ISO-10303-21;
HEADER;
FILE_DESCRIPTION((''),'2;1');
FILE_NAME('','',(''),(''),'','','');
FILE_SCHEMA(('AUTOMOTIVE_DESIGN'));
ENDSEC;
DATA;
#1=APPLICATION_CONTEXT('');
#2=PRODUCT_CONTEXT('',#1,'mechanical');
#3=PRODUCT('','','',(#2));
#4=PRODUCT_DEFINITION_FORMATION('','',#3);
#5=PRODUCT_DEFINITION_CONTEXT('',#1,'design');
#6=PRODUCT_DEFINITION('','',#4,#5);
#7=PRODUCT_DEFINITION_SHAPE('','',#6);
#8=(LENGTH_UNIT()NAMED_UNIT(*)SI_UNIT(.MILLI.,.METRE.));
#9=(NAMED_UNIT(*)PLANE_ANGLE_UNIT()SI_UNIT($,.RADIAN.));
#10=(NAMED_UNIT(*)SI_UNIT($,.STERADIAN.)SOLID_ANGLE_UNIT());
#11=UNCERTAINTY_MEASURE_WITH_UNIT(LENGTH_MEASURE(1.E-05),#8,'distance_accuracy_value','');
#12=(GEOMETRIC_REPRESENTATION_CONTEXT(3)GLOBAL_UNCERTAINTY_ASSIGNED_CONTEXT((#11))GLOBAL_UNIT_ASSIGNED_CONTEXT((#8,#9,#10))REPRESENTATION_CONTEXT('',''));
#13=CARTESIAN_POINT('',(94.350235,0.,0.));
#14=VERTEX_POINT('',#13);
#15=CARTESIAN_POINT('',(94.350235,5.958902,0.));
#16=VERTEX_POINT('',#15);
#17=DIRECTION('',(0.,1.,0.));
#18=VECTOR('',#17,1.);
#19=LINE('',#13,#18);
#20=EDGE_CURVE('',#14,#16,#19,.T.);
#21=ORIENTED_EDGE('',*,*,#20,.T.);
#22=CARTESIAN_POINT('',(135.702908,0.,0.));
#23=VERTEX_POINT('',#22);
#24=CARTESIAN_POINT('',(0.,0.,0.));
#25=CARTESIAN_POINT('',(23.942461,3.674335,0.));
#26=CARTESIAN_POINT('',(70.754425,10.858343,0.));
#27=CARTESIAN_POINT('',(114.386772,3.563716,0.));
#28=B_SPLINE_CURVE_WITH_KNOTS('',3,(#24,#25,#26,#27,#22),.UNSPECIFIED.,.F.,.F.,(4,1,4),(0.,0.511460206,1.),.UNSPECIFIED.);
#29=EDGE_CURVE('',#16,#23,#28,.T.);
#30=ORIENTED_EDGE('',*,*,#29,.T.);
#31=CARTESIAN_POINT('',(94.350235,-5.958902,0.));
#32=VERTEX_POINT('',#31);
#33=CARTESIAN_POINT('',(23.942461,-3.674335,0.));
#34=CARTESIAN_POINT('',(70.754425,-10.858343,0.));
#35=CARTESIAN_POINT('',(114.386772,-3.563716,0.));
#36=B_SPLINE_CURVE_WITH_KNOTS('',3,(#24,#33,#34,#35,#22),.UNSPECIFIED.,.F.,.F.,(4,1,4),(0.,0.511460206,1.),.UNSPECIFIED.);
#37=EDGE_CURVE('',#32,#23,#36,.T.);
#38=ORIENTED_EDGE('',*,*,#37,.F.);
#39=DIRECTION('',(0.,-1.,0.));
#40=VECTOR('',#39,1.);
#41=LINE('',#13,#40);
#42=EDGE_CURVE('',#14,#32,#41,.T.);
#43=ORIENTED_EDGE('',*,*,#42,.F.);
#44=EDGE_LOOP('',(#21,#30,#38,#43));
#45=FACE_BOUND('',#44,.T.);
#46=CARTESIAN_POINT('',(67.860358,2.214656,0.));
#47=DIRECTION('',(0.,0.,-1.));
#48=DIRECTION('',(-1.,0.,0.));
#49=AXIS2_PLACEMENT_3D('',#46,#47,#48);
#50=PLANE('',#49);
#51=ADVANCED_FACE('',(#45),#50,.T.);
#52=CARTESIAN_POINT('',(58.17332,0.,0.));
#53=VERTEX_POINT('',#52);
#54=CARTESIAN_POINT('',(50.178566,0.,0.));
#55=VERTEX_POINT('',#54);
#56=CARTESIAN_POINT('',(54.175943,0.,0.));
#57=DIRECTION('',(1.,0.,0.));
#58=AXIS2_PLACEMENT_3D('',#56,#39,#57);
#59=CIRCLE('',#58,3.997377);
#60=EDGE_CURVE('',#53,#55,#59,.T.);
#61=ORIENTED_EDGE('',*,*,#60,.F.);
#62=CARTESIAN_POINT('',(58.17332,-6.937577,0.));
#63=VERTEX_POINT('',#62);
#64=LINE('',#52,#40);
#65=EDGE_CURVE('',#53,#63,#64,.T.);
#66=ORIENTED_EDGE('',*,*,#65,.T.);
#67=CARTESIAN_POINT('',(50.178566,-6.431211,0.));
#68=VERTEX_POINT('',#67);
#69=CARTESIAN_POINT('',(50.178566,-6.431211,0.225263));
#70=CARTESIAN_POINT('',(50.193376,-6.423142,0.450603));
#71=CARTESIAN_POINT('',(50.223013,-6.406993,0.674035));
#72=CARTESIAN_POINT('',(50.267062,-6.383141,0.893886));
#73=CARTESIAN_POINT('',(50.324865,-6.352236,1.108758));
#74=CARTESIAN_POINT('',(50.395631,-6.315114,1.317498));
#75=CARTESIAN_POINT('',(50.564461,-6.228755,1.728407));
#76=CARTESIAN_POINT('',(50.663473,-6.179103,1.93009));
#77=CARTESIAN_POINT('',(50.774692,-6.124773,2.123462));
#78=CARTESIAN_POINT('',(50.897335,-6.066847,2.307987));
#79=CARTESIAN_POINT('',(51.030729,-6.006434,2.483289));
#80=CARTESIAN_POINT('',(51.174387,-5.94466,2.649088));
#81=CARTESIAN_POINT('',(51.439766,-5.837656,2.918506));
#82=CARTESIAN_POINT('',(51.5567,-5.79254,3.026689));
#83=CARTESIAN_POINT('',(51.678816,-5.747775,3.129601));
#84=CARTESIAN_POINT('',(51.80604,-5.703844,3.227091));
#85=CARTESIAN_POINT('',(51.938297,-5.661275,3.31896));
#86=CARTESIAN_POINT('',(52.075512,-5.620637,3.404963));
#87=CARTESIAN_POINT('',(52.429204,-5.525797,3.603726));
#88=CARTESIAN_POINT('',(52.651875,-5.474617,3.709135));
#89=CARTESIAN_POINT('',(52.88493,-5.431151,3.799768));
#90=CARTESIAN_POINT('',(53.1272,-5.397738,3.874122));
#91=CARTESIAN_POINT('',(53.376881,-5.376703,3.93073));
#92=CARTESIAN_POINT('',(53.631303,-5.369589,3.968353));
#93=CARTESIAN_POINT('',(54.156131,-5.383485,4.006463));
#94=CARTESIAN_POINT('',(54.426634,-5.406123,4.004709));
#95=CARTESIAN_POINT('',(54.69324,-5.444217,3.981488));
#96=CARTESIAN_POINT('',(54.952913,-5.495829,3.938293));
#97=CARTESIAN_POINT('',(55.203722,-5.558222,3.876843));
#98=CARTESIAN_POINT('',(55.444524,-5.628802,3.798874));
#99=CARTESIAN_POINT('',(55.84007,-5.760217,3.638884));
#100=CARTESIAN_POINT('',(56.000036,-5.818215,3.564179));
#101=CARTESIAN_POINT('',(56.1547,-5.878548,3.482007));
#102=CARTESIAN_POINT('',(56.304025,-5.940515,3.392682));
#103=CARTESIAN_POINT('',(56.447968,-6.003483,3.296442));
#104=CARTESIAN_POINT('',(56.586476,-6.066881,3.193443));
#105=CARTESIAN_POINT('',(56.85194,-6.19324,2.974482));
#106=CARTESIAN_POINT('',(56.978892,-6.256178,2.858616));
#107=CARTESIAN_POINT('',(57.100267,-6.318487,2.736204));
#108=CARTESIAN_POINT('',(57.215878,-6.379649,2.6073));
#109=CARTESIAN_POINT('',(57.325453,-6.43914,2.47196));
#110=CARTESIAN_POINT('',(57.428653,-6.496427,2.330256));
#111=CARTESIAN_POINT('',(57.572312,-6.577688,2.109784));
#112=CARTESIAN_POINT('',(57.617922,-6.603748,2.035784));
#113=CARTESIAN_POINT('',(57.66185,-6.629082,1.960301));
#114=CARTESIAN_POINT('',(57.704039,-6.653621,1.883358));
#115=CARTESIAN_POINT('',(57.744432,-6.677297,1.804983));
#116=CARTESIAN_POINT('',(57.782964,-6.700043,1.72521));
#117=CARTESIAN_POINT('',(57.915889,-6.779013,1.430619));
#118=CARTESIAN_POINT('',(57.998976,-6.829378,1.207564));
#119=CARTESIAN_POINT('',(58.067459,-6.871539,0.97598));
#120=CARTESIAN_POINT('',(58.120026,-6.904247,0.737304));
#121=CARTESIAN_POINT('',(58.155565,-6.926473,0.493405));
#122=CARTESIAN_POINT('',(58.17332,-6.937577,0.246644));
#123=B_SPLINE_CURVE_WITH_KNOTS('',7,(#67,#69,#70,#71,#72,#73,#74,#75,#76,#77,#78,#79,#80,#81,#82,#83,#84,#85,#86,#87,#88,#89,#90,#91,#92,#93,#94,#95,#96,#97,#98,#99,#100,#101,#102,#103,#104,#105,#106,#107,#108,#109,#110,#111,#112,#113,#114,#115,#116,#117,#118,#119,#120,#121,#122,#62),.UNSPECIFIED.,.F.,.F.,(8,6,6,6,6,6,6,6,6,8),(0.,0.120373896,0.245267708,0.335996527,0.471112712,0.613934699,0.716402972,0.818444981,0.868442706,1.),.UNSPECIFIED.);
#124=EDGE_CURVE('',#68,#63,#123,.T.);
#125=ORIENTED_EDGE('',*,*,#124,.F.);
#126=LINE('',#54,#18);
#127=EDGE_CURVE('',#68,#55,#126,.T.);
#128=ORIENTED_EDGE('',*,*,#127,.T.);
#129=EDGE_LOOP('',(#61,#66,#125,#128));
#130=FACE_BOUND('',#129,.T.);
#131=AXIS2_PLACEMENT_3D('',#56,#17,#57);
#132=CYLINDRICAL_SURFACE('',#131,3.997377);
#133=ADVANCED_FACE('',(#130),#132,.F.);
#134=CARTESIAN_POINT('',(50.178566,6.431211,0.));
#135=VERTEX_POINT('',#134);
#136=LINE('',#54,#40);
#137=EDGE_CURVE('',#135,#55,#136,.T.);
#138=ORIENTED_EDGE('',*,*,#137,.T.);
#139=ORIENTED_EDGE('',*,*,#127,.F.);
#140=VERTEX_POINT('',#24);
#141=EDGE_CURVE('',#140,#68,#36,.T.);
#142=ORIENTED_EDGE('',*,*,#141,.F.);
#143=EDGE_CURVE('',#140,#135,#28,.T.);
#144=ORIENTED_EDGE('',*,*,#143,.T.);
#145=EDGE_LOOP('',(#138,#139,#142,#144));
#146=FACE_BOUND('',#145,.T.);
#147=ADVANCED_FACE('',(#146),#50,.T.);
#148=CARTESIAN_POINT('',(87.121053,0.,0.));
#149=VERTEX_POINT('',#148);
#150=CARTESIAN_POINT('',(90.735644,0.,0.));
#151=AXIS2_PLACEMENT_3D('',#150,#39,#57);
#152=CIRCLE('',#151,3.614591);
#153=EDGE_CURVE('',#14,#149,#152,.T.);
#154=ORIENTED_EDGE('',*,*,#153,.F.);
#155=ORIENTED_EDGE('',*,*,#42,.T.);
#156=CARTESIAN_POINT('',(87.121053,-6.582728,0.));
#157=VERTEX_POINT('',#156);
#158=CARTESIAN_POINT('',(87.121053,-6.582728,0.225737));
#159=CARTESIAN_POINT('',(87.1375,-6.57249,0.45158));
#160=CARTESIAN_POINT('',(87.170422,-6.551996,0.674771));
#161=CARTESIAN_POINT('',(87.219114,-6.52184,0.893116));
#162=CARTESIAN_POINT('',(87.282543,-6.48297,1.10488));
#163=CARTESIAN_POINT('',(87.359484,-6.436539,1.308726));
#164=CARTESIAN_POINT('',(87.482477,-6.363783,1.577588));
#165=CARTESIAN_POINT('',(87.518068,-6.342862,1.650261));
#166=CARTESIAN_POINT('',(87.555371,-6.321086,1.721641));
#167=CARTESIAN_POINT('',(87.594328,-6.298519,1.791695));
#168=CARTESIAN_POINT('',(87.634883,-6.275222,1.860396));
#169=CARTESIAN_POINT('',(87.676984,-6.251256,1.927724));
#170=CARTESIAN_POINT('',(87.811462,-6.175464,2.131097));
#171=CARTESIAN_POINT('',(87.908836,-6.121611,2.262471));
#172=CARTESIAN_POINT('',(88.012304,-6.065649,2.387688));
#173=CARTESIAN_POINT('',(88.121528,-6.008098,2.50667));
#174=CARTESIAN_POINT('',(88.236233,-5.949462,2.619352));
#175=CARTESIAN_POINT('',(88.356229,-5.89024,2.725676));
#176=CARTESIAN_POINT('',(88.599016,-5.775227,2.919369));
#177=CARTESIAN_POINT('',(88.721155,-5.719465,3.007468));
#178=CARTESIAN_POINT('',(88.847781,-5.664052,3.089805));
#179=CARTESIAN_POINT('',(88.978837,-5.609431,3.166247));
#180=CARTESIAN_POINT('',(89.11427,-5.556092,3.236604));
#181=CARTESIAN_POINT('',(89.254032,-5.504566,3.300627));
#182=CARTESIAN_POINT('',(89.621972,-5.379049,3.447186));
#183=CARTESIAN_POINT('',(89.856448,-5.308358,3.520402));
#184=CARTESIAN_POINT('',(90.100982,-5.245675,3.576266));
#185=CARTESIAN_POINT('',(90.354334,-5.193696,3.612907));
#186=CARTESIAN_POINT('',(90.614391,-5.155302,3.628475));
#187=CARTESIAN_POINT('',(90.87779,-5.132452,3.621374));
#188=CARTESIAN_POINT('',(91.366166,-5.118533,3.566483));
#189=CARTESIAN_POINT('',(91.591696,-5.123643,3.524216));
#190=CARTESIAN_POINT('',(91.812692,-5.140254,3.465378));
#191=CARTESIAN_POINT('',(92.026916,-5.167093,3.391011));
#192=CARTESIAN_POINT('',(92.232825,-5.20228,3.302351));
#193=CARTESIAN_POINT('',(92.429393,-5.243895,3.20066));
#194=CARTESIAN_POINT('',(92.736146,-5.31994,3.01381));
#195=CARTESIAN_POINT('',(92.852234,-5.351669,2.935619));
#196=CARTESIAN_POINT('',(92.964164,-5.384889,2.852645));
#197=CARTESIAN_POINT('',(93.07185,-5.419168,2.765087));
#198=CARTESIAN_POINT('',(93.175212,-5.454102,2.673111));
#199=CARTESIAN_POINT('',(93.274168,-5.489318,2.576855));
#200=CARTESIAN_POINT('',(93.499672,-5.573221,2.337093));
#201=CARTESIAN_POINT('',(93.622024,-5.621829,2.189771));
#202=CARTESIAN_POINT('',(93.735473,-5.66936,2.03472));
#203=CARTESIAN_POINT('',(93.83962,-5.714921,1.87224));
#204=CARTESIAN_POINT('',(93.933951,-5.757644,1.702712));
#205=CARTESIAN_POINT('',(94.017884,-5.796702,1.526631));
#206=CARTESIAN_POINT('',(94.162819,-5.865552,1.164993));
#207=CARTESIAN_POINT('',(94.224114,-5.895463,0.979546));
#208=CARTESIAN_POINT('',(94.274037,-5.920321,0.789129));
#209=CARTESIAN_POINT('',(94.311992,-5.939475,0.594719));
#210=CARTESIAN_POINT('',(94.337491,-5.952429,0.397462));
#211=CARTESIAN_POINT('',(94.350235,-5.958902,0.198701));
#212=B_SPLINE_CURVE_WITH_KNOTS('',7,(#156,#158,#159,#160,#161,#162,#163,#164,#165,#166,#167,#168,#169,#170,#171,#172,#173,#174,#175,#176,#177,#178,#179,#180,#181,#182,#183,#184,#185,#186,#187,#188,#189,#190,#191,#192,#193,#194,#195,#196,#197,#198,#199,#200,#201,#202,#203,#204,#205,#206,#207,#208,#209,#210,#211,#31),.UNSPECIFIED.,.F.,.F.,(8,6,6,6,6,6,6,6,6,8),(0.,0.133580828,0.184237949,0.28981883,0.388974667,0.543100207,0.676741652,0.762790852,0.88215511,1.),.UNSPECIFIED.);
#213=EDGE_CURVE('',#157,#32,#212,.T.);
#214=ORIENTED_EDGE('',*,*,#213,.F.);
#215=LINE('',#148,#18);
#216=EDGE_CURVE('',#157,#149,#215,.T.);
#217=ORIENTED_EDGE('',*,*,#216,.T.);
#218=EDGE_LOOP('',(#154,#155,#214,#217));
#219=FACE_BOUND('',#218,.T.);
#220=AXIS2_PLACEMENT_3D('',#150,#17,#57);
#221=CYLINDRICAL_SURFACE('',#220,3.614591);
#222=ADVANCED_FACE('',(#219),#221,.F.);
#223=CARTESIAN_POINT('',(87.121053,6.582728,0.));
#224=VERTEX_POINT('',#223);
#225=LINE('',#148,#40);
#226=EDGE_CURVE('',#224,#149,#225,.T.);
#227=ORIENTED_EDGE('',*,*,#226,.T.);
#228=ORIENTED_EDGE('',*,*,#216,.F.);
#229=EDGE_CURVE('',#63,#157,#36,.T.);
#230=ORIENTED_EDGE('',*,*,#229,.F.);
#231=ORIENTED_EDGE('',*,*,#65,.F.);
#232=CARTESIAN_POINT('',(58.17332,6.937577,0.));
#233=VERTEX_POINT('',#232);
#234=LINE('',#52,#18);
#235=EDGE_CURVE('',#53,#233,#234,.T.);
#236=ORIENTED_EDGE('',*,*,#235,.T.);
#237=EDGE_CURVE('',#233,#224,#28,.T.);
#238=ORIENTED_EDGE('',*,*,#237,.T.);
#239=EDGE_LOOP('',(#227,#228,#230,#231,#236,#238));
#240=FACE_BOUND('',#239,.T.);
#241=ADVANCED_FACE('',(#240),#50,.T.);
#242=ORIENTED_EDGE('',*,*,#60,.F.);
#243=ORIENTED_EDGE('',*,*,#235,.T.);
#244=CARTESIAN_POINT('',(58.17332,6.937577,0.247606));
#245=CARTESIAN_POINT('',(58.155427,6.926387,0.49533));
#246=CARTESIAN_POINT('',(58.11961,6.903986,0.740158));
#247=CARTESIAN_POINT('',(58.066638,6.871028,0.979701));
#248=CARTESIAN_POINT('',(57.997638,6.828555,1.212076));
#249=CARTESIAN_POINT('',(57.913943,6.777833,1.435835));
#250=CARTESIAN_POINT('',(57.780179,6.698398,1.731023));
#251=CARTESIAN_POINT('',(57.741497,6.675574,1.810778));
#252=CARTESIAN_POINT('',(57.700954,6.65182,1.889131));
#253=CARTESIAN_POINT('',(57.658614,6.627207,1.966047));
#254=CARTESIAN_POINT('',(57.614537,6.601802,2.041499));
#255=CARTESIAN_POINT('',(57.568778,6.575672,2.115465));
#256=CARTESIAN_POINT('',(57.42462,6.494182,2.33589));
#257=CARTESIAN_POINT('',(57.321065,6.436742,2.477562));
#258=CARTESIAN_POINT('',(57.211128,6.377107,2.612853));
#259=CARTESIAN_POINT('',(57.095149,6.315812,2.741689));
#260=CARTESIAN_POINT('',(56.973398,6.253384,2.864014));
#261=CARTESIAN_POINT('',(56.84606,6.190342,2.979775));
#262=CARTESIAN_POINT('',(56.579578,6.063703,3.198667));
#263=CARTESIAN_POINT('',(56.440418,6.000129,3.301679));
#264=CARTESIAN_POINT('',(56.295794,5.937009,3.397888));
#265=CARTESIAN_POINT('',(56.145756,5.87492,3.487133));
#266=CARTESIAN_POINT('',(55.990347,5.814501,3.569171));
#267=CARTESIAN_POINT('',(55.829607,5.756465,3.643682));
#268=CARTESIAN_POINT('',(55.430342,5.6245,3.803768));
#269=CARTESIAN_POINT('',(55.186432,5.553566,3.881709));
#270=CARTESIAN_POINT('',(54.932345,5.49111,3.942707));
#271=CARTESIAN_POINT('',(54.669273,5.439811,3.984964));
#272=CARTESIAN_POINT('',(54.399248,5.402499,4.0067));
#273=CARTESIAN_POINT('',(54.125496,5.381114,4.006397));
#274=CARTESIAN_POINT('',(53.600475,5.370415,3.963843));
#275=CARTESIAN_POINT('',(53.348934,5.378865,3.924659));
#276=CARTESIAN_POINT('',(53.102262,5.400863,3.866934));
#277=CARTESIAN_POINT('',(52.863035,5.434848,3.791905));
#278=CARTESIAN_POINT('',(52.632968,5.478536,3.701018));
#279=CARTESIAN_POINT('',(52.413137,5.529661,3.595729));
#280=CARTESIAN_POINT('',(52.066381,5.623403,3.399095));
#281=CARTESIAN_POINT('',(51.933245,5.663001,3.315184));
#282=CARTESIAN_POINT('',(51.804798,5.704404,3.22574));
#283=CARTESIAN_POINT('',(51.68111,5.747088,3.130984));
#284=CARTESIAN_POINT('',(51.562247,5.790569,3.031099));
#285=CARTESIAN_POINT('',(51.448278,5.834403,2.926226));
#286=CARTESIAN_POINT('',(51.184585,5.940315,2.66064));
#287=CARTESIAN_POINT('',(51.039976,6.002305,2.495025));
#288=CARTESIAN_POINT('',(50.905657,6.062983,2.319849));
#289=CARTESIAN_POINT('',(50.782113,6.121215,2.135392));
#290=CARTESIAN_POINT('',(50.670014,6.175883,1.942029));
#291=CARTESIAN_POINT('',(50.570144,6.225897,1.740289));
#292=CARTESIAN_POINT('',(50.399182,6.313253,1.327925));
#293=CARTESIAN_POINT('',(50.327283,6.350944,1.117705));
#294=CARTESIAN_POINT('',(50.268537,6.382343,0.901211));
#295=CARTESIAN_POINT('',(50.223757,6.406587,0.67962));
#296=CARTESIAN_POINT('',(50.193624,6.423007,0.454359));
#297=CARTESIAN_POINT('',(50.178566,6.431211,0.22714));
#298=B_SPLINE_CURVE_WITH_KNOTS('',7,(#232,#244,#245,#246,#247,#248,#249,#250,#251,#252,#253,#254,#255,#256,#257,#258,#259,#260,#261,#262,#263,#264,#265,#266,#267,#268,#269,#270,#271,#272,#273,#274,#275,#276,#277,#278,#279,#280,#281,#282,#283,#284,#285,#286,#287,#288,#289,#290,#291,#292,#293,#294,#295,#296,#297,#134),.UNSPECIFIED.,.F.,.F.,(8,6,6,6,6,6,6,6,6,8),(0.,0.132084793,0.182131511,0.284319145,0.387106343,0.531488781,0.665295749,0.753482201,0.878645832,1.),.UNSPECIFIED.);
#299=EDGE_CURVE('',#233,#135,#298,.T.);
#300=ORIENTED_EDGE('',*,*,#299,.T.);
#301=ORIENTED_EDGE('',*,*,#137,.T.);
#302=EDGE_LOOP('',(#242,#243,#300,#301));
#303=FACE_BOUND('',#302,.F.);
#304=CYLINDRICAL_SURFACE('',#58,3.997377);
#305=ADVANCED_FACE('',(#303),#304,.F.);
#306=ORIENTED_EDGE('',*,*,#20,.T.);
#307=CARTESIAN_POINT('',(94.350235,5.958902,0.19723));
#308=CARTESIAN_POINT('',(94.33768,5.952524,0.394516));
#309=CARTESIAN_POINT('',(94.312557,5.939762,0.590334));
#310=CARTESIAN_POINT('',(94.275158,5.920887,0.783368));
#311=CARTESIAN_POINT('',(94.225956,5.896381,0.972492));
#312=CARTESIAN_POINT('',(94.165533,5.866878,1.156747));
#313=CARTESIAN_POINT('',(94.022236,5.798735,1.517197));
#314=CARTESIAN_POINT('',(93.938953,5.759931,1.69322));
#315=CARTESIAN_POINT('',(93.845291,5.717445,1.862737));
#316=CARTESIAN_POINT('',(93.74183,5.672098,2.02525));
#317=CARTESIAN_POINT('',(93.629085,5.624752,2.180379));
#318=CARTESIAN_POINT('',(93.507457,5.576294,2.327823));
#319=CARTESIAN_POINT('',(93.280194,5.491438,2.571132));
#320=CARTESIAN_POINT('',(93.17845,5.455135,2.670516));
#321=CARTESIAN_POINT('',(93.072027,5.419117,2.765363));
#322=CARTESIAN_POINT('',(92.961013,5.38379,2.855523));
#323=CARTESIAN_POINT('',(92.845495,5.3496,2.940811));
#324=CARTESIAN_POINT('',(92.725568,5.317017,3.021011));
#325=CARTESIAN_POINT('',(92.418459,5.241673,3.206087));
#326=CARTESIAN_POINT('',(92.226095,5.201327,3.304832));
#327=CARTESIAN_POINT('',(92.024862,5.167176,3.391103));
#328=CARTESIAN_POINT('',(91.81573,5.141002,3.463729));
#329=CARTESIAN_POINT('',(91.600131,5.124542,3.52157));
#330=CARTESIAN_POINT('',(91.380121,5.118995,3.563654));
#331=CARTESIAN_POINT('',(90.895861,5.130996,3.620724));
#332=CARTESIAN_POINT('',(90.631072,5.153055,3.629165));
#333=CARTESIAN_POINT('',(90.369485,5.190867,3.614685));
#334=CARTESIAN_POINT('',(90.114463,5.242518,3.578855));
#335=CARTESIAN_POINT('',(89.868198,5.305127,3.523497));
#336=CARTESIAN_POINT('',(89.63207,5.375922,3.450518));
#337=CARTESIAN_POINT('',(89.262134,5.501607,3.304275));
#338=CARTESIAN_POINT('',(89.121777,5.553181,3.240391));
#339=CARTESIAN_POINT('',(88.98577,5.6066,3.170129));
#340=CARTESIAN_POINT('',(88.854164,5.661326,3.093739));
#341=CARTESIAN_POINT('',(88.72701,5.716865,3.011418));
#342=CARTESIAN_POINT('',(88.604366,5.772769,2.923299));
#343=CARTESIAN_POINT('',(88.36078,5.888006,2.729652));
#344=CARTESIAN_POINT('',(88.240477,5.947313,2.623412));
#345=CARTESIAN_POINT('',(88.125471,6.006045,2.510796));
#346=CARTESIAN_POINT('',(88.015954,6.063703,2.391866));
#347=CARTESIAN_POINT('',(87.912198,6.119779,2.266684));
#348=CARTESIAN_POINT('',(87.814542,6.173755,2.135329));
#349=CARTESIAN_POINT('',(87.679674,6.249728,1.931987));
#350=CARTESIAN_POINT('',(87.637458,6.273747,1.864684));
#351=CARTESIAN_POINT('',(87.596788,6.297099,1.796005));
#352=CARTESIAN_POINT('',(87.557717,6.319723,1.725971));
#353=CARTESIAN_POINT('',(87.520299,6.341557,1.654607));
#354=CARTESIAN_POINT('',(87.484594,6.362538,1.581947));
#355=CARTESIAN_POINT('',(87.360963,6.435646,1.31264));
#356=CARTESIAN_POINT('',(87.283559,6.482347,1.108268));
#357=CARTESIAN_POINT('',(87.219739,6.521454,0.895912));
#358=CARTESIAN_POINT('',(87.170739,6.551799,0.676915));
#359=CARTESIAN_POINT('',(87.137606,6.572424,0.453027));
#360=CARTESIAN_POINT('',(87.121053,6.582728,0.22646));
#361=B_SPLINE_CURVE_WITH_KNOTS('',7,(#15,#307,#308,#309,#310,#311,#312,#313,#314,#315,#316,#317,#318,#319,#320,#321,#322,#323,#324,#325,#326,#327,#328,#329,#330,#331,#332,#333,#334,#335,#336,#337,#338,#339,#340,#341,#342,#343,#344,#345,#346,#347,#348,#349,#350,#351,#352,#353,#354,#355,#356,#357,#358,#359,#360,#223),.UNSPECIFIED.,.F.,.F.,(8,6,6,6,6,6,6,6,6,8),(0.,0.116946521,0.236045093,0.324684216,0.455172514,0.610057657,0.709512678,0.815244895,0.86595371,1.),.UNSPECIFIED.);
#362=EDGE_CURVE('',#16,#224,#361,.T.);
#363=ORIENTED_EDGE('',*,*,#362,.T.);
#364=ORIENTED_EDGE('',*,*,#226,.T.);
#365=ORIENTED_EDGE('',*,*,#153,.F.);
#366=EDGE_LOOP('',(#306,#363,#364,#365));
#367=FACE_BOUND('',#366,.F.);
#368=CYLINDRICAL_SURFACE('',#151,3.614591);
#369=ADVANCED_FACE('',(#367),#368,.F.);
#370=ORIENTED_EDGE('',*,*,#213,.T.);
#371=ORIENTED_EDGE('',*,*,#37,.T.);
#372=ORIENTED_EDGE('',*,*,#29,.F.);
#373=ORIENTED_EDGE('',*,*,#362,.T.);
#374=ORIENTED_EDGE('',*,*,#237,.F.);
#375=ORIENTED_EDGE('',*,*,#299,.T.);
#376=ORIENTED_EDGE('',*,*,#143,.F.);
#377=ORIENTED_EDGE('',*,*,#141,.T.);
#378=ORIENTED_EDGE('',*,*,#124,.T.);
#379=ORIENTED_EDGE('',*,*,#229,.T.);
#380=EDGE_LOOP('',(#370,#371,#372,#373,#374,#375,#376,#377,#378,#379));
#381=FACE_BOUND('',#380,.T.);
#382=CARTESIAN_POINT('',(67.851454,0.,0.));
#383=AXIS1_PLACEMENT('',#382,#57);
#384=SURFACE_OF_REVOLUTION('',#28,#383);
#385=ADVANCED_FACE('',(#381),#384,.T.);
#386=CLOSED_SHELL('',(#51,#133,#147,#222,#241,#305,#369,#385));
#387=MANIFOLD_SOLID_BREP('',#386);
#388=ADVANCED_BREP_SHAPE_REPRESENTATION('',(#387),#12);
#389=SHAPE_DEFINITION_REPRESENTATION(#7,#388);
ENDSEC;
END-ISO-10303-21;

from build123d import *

# Parameters (mm, degrees)
F1_ANGLE      = 180
F2_R          = 3.9973769872
F2_R_2        = 3.614591246
F3_DEPTH      = 7.2390632276
F3_DEPTH_BACK = 25.4


with BuildPart() as f1:
    # F0 (on Top) → F1 (revolve)
    with BuildSketch(Plane.XY):
        with BuildLine():
            add(Edge.make_bspline(
                [(0, 0), (23.9424614, 3.6743346017), (70.7544254358, 10.8583432184), (114.3867719938, 3.5637158267), (135.7029080391, 0)],
                knots=[0, 0, 0, 0, 0.5114602064, 1, 1, 1, 1], degree=3))
            Line((0, 0), (135.7029080391, 0))
        make_face()
    revolve(axis=Axis((67.8514540195, 0, 0), (1, 0, 0)), revolution_arc=F1_ANGLE)

    # F2 (on Front) → F3 (cut, two sides)
    with BuildSketch(Plane.XZ) as f3_sk:
        with Locations((54.1759431362, 0)):
            Circle(F2_R)
        with Locations((90.7356441021, 0)):
            Circle(F2_R_2)
    extrude(amount=F3_DEPTH, mode=Mode.SUBTRACT)
    extrude(f3_sk.sketch, amount=-F3_DEPTH_BACK, mode=Mode.SUBTRACT)


solid = f1.part
